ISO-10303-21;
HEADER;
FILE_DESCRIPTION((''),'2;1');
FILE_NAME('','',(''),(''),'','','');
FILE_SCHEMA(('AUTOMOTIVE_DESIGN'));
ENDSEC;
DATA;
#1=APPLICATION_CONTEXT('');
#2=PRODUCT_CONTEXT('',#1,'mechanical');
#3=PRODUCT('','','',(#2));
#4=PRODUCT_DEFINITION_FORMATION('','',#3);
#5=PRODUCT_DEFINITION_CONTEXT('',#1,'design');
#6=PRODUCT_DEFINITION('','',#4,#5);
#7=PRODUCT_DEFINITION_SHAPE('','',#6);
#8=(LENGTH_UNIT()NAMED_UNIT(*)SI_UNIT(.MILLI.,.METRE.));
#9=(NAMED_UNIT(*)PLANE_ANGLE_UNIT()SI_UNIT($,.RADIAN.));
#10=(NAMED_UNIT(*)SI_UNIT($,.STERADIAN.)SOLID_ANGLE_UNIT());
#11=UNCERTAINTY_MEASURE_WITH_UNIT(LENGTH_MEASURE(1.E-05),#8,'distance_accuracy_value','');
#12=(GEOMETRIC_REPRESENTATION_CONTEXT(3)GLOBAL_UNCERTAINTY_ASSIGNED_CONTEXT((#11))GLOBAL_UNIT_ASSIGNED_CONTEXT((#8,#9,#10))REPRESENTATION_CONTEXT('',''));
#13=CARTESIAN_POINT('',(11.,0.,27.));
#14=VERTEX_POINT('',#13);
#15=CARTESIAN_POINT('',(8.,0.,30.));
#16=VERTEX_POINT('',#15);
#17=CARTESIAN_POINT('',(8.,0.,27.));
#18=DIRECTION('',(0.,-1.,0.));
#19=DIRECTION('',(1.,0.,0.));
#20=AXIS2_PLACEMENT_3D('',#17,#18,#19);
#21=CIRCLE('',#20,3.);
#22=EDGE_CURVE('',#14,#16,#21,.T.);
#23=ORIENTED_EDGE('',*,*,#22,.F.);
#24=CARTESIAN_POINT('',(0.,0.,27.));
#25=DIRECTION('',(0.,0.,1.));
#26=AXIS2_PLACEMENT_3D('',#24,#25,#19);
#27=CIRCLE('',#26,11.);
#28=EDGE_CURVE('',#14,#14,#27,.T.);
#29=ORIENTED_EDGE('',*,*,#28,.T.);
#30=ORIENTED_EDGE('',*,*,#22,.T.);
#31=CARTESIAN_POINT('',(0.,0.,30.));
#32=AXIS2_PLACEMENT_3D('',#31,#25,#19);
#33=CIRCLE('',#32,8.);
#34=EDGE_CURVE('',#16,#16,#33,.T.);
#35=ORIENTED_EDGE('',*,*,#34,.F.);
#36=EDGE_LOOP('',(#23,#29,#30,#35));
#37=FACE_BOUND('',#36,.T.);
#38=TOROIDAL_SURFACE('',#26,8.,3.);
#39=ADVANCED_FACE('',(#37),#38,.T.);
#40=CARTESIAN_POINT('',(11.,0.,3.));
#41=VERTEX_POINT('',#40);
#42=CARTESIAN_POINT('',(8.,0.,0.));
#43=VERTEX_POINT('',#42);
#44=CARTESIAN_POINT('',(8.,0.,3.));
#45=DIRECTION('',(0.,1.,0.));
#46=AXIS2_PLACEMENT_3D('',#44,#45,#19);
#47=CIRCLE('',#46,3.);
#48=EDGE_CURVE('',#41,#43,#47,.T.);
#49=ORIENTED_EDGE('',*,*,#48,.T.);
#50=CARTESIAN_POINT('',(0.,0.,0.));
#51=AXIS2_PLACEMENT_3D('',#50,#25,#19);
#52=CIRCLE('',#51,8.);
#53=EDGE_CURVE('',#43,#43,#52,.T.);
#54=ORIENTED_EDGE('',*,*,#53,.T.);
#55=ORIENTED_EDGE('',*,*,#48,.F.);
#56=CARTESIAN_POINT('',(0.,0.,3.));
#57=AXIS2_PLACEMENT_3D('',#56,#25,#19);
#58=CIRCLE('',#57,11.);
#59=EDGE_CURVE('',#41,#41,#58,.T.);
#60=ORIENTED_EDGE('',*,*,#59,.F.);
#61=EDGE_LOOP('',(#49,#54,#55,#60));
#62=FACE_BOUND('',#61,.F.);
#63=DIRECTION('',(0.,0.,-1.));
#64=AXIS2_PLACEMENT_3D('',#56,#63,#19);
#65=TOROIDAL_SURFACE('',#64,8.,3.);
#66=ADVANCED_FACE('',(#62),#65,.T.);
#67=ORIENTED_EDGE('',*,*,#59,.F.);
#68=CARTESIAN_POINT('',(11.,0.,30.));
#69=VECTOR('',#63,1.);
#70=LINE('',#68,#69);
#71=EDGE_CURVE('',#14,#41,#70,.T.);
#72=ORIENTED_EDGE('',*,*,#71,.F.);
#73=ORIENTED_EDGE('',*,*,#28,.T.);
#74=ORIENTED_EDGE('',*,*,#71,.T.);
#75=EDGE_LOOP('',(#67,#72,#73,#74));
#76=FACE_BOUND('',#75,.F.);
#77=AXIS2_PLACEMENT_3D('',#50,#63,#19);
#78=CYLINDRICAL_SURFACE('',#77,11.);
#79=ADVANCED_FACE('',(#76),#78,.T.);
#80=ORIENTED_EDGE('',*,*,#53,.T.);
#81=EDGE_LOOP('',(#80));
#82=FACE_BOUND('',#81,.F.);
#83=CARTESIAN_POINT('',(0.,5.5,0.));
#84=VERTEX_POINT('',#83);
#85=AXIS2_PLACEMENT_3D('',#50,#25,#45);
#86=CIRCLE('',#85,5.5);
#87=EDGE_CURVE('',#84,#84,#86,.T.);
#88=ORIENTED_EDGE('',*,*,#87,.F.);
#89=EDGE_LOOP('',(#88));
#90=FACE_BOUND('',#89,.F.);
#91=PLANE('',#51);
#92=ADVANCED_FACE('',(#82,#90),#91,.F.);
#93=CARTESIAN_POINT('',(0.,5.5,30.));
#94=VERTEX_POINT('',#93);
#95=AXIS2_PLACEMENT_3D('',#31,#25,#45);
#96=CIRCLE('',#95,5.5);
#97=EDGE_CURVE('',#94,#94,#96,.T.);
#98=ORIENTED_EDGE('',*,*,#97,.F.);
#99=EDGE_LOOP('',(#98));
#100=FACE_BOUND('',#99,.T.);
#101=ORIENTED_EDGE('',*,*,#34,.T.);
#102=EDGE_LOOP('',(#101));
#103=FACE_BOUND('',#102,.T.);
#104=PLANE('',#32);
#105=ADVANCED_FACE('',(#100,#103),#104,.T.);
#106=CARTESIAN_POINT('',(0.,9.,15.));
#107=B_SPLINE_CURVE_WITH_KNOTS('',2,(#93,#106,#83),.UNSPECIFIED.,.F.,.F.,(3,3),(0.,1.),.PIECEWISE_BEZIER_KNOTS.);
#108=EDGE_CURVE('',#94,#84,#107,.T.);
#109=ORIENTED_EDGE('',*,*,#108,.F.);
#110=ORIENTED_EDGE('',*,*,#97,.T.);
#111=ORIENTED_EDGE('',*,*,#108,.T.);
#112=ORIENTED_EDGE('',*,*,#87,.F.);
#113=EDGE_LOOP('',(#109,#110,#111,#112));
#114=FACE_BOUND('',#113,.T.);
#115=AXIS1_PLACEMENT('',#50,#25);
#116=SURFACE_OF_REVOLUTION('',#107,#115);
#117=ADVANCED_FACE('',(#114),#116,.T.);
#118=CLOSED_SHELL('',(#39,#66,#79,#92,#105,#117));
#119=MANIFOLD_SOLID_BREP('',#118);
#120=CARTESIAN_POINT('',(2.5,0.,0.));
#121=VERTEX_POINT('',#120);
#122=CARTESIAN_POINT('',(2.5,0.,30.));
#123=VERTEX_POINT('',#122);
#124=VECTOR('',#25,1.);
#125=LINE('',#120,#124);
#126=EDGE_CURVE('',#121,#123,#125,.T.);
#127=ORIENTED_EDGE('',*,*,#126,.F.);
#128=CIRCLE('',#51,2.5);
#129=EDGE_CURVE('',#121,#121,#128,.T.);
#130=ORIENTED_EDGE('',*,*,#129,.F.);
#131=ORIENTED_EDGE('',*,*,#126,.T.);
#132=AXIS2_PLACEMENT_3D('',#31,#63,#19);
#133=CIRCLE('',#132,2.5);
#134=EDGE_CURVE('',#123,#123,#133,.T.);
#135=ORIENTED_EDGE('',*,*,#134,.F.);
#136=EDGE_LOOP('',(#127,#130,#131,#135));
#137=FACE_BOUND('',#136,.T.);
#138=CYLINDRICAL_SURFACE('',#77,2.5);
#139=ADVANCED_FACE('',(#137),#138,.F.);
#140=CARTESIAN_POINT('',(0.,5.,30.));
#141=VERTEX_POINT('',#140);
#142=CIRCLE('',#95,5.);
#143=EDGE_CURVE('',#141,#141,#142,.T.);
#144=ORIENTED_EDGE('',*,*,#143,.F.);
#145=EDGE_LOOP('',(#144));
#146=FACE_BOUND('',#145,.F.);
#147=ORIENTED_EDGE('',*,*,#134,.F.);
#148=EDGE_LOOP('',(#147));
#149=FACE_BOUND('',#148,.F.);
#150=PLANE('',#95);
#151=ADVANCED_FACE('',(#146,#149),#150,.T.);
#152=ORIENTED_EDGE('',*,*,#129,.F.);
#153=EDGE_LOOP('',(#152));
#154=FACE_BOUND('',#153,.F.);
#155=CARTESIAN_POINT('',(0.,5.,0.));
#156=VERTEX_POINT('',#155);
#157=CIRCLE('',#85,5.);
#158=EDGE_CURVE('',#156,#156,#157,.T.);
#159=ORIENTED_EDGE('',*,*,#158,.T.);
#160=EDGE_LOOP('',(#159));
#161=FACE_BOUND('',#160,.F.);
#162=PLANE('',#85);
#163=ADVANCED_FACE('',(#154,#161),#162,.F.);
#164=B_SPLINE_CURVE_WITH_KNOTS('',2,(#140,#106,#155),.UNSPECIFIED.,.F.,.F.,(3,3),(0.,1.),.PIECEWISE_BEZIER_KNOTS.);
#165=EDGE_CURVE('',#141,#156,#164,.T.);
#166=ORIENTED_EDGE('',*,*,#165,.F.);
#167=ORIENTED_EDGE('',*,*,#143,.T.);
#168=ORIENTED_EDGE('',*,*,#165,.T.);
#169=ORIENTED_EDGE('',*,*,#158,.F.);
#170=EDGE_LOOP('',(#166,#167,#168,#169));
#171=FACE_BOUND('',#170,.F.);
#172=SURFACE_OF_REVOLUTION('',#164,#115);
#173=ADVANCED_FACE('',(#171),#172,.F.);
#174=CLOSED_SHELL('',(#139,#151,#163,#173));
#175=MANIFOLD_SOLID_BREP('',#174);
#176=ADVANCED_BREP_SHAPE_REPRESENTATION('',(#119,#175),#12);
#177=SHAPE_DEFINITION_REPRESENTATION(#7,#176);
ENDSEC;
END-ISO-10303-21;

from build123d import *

# Parameters (mm, degrees)
SKETCH_R     = 11
PAD_DEPTH    = 0.01
SKETCH001_R  = 11
SKETCH002_R  = 11
SKETCH005_R  = 2.5
POCKET_DEPTH = 50
FILLET_R     = 3


with BuildPart() as part:
    # Sketch (on XY_Plane of Origin) → Pad (new body)
    with BuildSketch(Plane.XY):
        Circle(SKETCH_R)
    extrude(amount=PAD_DEPTH)

    # Sketch001 (on XY_Plane of Origin) → AdditiveLoft section 0
    with BuildSketch(Plane.XY):
        Circle(SKETCH001_R)
    # Sketch002 (on Sketch) → AdditiveLoft section 1
    with BuildSketch(Plane.XY.offset(30)):
        Circle(SKETCH002_R)
    loft()

    # Sketch003 (on YZ_Plane of Origin) → Groove (revolve, cut)
    with BuildSketch(Plane.YZ):
        with BuildLine():
            Line((0, 0), (0, 30))
            Line((0, 30), (5.5, 30))
            add(Edge.make_bspline(
                [(5.5, 30), (9, 15), (5.5, 0)],
                knots=[0, 0, 0, 1, 1, 1], degree=2))
            Line((5.5, 0), (0, 0))
        make_face()
    revolve(axis=Axis((0, 0, 0), (0, 0, 1)), mode=Mode.SUBTRACT)

    # Sketch004 (on YZ_Plane of Origin) → Revolution (revolve)
    with BuildSketch(Plane.YZ):
        with BuildLine():
            Line((0, 0), (0, 30))
            Line((0, 30), (5, 30))
            add(Edge.make_bspline(
                [(5, 30), (9, 15), (5, 0)],
                knots=[0, 0, 0, 1, 1, 1], degree=2))
            Line((5, 0), (0, 0))
        make_face()
    revolve(axis=Axis((0, 0, 0), (0, 0, 1)))

    # Sketch005 (on XY_Plane of Origin) → Pocket (cut)
    with BuildSketch(Plane.XY):
        Circle(SKETCH005_R)
    extrude(amount=POCKET_DEPTH, mode=Mode.SUBTRACT)

    # Fillet
    fillet_edges = [part.edges().sort_by_distance(p)[0] for p in [
        (-11, 0, 0),
        (-11, 0, 30),
    ]]
    fillet(fillet_edges, radius=FILLET_R)


solid = part.part
